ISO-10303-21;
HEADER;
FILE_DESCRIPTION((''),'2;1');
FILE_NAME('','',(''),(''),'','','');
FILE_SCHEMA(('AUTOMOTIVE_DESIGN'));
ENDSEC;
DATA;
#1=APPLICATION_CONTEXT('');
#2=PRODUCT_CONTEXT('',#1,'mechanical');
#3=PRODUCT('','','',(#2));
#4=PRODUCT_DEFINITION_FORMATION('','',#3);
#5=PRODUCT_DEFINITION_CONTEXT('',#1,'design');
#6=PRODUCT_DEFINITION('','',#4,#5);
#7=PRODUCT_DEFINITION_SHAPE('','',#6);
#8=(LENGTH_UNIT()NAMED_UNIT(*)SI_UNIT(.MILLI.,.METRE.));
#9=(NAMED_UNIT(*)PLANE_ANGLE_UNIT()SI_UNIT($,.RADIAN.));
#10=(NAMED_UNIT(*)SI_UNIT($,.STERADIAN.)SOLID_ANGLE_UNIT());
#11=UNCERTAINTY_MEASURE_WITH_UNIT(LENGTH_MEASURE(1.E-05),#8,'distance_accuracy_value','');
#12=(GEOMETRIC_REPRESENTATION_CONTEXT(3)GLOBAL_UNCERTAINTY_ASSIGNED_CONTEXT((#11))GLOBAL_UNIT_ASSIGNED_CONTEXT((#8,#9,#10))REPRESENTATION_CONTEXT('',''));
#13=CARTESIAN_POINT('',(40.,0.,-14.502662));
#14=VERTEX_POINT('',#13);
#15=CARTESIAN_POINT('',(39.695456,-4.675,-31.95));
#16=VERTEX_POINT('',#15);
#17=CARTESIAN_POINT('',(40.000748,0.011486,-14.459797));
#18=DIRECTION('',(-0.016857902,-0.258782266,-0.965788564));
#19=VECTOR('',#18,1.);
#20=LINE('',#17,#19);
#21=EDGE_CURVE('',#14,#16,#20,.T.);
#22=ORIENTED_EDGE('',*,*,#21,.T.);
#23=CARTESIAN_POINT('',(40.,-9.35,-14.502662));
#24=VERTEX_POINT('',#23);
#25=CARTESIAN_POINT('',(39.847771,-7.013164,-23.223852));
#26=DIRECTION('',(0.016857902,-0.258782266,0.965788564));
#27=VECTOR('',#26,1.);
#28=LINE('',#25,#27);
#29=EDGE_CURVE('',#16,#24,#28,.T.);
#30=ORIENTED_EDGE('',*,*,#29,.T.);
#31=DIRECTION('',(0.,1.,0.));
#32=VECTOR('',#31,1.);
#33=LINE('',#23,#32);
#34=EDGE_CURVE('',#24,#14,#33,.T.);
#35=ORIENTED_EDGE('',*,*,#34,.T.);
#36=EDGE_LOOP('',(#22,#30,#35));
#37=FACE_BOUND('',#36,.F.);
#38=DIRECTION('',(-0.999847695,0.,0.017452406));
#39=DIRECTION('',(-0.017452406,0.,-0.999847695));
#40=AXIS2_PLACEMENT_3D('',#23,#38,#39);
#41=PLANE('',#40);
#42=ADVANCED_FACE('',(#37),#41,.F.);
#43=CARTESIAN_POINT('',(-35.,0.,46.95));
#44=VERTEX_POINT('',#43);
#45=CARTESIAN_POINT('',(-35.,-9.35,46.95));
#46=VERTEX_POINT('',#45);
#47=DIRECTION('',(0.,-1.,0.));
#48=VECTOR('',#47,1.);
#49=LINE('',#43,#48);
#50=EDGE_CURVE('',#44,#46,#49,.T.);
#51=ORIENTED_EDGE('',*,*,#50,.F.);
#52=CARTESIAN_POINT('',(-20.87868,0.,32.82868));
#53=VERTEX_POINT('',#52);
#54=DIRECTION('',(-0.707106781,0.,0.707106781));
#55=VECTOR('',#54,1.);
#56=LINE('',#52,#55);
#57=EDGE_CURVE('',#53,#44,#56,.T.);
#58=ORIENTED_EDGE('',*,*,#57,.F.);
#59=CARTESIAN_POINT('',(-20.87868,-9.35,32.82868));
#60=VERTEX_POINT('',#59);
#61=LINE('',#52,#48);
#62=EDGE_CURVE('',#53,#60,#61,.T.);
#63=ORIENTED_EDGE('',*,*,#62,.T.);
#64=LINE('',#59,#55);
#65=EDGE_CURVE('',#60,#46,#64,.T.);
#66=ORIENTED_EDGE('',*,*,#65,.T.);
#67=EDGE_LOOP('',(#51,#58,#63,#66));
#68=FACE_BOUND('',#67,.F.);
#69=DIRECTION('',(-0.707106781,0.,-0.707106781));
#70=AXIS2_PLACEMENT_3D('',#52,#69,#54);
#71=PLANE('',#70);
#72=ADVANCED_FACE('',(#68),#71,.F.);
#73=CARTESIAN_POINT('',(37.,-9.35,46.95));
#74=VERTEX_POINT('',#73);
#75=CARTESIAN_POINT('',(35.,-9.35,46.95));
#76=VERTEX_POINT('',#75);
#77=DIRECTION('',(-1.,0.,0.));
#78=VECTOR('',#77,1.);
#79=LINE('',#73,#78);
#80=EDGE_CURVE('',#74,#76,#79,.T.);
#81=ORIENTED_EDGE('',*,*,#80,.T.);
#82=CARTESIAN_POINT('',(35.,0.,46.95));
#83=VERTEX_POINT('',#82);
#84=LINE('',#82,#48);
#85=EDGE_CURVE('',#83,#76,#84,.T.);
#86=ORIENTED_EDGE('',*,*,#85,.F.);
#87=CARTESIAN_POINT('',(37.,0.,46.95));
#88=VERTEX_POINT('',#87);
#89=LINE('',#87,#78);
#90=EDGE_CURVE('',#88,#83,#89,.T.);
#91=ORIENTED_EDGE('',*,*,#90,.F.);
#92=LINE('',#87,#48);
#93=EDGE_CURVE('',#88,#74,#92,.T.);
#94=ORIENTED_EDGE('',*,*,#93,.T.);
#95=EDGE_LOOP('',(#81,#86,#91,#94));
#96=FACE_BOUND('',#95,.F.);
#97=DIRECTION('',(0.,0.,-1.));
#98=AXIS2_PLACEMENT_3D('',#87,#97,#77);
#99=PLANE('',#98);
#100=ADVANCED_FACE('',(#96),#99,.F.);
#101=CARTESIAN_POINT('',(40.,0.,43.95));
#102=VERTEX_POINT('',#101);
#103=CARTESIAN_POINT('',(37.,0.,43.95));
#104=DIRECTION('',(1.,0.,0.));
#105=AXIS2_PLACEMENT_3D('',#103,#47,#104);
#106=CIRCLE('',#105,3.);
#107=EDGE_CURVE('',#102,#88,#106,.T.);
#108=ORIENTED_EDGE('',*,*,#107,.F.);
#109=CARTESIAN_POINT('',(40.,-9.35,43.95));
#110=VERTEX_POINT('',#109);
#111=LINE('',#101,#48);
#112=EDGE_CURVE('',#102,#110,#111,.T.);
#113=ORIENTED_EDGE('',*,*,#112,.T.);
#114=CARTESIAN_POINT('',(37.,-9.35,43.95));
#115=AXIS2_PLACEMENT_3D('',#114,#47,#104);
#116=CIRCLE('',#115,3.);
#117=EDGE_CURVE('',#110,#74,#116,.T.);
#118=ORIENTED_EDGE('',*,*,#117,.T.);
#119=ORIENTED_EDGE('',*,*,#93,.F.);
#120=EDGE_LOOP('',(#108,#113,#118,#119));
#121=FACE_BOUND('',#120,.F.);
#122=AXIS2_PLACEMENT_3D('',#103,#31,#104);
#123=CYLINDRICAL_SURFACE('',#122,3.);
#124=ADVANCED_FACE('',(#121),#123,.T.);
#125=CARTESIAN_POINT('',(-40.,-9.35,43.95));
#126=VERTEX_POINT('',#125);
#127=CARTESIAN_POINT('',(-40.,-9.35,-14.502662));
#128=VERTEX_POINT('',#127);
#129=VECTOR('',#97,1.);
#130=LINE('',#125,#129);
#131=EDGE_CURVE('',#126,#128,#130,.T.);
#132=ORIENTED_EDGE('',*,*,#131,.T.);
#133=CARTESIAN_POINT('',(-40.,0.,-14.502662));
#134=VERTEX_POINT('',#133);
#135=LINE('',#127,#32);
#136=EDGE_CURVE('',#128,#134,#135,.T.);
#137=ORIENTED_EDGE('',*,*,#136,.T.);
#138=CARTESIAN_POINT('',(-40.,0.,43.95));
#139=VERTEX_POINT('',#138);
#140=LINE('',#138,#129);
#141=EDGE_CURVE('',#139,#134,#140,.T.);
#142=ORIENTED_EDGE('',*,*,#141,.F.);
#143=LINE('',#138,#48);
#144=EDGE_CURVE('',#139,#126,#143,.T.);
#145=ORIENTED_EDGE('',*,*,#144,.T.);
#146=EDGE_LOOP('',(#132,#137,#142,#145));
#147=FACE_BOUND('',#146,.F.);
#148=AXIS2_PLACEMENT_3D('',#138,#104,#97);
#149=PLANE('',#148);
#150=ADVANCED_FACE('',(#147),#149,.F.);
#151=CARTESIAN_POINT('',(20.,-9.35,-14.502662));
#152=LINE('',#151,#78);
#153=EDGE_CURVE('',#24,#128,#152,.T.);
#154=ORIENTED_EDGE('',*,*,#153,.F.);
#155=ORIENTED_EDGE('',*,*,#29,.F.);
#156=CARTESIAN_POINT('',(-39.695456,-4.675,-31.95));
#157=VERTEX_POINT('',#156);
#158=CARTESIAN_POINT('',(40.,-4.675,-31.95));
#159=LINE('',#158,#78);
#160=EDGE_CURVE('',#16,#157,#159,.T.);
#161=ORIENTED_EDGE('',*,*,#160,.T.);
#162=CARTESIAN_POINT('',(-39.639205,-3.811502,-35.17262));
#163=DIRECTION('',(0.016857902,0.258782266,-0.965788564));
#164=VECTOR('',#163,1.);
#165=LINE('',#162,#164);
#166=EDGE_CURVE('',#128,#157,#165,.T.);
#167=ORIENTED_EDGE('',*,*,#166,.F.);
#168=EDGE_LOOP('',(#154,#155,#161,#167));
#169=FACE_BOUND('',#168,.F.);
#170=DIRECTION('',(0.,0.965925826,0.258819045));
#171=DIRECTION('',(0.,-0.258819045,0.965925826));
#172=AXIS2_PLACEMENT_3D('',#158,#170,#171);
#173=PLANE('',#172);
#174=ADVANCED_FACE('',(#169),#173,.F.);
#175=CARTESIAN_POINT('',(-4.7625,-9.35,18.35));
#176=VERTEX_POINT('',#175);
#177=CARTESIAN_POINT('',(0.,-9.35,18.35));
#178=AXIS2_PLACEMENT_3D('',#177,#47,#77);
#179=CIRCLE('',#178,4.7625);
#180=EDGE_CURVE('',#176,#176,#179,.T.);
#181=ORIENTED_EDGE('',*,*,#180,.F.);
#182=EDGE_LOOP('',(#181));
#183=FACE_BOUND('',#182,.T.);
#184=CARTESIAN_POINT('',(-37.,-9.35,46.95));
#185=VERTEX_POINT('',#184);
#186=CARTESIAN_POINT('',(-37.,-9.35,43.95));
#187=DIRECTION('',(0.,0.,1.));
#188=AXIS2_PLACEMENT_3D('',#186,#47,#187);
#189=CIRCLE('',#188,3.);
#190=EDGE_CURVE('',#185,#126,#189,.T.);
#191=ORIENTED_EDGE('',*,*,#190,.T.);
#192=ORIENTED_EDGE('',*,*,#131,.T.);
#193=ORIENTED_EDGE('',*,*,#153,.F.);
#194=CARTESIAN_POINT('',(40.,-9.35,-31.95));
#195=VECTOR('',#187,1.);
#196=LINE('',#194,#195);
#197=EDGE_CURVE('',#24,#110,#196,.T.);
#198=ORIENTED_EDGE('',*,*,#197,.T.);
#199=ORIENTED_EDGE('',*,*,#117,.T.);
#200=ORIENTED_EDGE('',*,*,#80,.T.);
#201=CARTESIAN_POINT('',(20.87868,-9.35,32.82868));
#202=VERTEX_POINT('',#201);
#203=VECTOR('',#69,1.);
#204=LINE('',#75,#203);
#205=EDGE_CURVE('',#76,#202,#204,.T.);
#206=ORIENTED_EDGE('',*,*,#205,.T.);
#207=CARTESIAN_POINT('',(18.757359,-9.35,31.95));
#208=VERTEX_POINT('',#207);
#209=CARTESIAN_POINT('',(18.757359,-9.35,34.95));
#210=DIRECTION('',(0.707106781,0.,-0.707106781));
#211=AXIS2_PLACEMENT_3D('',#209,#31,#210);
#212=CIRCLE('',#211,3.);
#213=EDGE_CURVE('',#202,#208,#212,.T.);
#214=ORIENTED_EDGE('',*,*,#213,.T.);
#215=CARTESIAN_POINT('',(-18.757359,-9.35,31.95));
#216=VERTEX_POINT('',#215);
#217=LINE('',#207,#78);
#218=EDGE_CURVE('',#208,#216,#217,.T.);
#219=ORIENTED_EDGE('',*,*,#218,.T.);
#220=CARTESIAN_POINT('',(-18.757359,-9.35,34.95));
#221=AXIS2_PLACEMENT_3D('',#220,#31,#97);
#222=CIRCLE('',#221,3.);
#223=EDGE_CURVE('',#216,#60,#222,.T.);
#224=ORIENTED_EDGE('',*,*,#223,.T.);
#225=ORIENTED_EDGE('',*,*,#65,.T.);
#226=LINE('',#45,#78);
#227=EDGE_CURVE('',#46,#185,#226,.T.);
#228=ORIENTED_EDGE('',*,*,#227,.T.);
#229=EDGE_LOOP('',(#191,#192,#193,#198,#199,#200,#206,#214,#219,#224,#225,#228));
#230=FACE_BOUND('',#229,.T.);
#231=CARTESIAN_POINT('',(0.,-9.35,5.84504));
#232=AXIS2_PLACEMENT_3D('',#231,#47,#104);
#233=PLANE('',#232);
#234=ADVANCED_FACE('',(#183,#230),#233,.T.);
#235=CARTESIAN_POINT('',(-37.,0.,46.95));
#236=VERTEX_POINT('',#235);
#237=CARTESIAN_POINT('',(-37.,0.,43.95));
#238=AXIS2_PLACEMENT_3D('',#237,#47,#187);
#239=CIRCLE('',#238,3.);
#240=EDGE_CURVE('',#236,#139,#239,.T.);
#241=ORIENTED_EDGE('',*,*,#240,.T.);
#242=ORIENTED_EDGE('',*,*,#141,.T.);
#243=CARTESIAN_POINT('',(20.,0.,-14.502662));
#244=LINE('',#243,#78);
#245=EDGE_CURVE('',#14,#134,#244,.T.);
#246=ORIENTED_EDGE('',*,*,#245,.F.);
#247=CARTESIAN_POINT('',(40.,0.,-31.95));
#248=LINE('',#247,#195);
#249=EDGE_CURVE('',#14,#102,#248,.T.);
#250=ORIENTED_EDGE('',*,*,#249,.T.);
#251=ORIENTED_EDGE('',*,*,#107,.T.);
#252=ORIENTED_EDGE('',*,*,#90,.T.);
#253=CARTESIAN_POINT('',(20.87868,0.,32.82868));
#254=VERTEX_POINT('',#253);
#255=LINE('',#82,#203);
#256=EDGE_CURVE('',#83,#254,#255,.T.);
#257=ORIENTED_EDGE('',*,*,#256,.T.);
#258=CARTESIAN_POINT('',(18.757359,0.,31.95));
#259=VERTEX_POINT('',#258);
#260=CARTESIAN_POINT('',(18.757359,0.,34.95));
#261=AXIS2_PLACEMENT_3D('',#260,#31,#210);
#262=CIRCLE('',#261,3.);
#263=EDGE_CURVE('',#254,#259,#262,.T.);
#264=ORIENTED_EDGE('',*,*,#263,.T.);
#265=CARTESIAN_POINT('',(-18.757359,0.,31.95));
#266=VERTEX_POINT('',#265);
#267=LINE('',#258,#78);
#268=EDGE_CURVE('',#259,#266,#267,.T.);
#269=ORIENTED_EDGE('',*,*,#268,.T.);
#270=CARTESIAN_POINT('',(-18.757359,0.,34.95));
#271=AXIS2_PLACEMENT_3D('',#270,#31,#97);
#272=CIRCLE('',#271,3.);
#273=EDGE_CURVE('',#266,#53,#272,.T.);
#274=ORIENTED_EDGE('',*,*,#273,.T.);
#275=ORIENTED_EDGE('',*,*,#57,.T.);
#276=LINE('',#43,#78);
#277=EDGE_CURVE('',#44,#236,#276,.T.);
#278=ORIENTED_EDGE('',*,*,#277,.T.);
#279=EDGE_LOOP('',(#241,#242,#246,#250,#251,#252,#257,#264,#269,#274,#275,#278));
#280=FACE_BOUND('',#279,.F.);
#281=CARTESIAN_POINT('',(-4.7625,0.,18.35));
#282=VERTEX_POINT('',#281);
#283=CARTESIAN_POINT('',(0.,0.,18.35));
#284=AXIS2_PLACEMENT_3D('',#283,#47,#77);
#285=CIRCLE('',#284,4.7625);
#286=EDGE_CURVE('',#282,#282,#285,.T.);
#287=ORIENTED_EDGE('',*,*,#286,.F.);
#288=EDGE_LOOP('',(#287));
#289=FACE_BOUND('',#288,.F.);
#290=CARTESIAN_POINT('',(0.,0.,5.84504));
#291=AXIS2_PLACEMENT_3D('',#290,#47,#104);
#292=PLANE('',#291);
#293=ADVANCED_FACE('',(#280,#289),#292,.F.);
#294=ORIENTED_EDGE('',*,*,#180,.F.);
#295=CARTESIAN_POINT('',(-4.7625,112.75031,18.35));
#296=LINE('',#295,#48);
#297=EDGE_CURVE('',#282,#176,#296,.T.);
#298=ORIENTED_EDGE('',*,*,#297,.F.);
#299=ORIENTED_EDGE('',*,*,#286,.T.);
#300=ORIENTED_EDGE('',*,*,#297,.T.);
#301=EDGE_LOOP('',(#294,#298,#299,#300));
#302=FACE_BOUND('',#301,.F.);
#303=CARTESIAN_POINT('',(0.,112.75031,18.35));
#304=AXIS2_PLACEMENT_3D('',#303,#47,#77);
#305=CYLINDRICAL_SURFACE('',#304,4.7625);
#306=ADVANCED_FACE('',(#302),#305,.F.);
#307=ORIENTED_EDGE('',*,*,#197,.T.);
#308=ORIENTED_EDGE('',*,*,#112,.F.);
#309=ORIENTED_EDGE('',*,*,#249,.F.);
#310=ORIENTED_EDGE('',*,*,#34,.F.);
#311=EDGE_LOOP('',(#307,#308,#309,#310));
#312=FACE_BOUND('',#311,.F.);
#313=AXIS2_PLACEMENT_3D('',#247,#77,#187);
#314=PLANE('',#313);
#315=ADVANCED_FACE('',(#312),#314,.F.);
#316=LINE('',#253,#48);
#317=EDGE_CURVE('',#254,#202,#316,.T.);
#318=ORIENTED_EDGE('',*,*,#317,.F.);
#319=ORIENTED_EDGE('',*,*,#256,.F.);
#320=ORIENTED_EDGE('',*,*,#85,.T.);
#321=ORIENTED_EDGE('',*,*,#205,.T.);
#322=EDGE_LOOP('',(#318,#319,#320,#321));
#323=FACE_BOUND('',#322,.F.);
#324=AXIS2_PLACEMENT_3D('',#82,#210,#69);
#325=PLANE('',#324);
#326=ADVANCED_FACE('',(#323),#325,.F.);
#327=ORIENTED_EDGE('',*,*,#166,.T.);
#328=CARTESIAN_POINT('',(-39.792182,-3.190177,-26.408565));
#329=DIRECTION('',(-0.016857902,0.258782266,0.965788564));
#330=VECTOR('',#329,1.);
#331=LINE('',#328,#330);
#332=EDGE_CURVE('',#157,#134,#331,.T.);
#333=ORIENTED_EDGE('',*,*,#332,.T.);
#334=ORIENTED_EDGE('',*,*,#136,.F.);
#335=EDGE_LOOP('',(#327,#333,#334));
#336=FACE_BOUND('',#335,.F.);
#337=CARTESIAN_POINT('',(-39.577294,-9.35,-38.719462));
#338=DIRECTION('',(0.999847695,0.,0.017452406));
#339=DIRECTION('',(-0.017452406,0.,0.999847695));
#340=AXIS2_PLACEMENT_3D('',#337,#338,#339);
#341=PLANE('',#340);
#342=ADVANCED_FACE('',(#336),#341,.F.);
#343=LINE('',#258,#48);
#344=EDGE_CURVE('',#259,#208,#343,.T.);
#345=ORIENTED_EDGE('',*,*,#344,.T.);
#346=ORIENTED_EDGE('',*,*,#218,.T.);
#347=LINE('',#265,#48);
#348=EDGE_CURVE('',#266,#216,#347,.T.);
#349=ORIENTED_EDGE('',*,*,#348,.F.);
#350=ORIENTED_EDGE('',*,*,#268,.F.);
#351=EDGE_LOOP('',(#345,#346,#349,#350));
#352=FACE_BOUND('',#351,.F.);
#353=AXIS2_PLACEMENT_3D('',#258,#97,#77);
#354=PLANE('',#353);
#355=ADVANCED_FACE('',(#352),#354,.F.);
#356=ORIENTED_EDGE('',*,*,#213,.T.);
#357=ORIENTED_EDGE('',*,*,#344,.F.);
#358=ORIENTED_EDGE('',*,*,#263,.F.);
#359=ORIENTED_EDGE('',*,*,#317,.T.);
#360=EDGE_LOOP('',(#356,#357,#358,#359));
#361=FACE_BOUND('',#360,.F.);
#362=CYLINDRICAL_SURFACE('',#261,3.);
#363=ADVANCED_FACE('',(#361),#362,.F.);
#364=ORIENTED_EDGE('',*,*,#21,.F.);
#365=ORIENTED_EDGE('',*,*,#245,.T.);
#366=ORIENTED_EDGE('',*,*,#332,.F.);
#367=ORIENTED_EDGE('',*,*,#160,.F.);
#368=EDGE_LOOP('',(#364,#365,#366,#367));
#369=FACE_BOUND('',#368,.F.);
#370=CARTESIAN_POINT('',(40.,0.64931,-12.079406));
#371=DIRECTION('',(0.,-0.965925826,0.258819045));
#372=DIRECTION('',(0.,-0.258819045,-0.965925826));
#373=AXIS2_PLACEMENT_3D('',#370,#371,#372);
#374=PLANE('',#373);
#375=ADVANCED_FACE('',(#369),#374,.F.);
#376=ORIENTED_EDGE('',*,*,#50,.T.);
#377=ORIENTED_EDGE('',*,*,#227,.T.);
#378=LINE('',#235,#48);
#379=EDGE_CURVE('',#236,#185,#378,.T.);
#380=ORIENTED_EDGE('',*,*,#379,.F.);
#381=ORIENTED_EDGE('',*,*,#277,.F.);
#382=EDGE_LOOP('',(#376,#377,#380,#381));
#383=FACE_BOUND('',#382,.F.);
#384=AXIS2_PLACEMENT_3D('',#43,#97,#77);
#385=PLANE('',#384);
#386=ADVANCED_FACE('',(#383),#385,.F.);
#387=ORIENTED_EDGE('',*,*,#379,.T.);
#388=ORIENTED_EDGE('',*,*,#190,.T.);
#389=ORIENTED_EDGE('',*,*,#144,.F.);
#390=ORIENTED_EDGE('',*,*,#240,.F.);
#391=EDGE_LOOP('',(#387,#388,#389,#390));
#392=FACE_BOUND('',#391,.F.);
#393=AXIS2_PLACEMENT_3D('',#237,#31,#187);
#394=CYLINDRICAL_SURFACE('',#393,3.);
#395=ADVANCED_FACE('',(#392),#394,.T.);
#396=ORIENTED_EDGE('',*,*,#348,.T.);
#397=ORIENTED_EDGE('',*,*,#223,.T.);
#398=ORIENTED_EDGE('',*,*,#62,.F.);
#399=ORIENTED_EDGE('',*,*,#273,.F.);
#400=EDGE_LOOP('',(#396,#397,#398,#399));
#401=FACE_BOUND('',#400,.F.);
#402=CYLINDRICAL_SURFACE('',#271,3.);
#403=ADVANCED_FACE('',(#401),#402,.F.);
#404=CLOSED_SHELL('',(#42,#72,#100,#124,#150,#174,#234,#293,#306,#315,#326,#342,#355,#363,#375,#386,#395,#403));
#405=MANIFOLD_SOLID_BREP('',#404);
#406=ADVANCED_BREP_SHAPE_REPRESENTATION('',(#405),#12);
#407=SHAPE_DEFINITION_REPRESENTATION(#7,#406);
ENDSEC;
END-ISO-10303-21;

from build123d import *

# Parameters (mm, degrees)
F1_DEPTH = 9.35
F3_DEPTH = 80.001
F5_DEPTH = 9.351
F6_D     = 9.525


with BuildPart() as f1:
    # F0 (on Front) → F1 (new body)
    with BuildSketch(Plane.XZ):
        with BuildLine():
            Line((-40, -31.95), (40, -31.95))
            Line((40, -31.95), (40, 31.95))
            Line((40, 31.95), (40, 43.95))
            ThreePointArc((40, 43.95), (39.1213203436, 46.0713203436), (37, 46.95))
            Line((37, 46.95), (35, 46.95))
            Line((35, 46.95), (20.8786796564, 32.8286796564))
            ThreePointArc((20.8786796564, 32.8286796564), (19.90540961, 32.1783614025), (18.7573593129, 31.95))
            Line((18.7573593129, 31.95), (-18.7573593129, 31.95))
            ThreePointArc((-18.7573593129, 31.95), (-19.90540961, 32.1783614025), (-20.8786796564, 32.8286796564))
            Line((-20.8786796564, 32.8286796564), (-35, 46.95))
            Line((-35, 46.95), (-37, 46.95))
            ThreePointArc((-37, 46.95), (-39.1213203436, 46.0713203436), (-40, 43.95))
            Line((-40, 43.95), (-40, 31.95))
            Line((-40, 31.95), (-40, -31.95))
        make_face()
    extrude(amount=F1_DEPTH)

    # F2 (on face) → F3 (cut, through all)
    with BuildSketch(Plane.YZ.offset(40)):
        Polygon((0.6493095733, -12.0794061572), (-4.675, -31.95), (-9.9993095733, -12.0794061572), (-14.2520674504, -12.0794061572), (-14.2520674504, -36.8148345501), (6.057018973, -36.8148345501), (6.057018973, -12.0794061572), align=None)
    extrude(amount=-F3_DEPTH, mode=Mode.SUBTRACT)

    # F4 (on face) → F5 (cut, through all)
    with BuildSketch(Plane.XZ.offset(9.35)):
        Polygon((-39.5772941897, -38.7194621272), (-40, -14.5026624746), (-52.0872474203, -14.5026624746), (-52.0872474203, -38.7194621272), align=None)
        Polygon((48.822511771, -14.5026624746), (40, -14.5026624746), (39.5603374031, -39.6909157795), (48.822511771, -39.6909157795), align=None)
    extrude(amount=-F5_DEPTH, mode=Mode.SUBTRACT)

    # F6 (through all)
    with Locations(Plane(origin=(0, 0, 0), x_dir=(1, 0, 0), z_dir=(0, 1, 0))):
        with Locations((0, -18.35)):
            Hole(F6_D / 2)


solid = f1.part
